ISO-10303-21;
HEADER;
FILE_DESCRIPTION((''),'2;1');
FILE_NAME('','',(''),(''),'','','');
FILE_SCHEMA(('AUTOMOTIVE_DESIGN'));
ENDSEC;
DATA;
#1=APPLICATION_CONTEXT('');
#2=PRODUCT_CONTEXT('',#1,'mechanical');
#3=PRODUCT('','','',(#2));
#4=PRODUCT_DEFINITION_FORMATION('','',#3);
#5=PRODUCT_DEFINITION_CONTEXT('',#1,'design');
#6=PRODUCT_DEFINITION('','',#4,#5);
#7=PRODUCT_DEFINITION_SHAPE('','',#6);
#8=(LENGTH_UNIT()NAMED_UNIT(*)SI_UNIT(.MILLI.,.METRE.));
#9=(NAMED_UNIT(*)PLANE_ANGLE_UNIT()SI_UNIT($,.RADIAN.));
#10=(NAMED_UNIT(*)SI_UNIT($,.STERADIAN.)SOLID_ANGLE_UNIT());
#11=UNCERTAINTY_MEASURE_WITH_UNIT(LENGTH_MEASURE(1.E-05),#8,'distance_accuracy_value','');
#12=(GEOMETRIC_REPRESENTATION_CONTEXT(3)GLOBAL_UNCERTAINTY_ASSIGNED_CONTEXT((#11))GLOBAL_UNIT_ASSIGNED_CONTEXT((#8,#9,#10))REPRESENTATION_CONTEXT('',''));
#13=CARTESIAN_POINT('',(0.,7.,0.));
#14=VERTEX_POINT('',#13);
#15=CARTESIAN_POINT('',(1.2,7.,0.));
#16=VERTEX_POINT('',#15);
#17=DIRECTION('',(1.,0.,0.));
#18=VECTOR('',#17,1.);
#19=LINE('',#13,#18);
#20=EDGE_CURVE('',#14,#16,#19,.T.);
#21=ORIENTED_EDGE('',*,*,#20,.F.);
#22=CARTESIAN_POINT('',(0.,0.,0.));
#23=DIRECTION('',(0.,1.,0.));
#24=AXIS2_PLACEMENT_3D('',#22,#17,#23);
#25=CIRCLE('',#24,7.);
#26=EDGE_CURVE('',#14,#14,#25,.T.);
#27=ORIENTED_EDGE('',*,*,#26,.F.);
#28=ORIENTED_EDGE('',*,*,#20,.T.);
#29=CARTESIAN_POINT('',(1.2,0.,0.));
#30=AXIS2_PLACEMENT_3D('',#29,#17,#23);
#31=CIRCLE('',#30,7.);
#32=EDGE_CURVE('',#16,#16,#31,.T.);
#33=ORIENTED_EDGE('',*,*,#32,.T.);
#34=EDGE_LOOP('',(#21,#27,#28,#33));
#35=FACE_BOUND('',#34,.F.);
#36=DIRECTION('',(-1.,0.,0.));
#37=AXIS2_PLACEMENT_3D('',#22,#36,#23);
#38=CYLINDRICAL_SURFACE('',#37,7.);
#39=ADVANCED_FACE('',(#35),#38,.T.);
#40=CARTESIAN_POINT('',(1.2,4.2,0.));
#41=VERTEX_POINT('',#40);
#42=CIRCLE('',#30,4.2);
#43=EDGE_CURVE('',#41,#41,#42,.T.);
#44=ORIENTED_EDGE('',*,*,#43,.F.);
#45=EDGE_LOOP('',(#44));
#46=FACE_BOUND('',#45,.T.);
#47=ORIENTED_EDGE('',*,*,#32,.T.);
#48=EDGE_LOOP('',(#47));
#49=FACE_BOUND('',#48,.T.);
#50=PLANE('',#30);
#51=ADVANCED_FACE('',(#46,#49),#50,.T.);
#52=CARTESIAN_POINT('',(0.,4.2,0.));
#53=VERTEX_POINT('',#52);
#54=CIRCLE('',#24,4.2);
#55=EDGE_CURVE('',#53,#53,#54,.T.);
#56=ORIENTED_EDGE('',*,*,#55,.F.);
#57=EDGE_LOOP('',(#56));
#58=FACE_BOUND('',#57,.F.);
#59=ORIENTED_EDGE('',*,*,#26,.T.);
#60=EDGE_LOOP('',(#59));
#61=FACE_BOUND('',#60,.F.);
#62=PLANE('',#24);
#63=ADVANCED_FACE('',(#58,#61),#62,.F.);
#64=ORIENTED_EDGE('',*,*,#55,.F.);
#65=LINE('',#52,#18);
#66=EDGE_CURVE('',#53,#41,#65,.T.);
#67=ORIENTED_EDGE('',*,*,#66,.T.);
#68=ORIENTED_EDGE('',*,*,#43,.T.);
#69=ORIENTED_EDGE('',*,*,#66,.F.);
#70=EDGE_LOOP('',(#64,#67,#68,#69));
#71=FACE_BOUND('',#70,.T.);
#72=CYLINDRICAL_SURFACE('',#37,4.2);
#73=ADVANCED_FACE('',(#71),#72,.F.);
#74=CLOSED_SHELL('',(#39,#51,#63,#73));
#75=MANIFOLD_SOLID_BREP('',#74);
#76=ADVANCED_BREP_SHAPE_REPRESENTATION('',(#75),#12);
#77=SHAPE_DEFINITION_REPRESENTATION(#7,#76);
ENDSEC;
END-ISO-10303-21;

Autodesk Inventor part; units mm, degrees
ref_plane "YZ Plane" through (0, 0, 0) normal (1, 0, 0) x (0, 1, 0)
ref_plane "XZ Plane" through (0, 0, 0) normal (0, 1, 0) x (-1, 0, 0)
sketch "Sketch" plane through (0, 0, 0) normal (1, 0, 0) x (0, 1, 0)
  circle A0 centre (0, 0) radius 7
  circle A1 centre (0, 0) radius 4.2
  dimension "d0" = 8.4
  dimension "d1" = 14
extrude "Body" add sketch "Sketch" along normal blind 1.2
ref_plane "Work Plane1" through (0, 0, 0) normal (0, 0, 1) x (1, 0, 0)
equation "\"d0\" = SD1"
equation "\"d1\" = SD2"
equation "\"d2\" = SD"
equation "\"SD1\" = 8.4"
equation "\"SD2\" = 14"
equation "\"SD\" = 1.2"
equation "\"NND\" = 8"
properties part number "AS 1237 - 8" material "Steel, Mild"
